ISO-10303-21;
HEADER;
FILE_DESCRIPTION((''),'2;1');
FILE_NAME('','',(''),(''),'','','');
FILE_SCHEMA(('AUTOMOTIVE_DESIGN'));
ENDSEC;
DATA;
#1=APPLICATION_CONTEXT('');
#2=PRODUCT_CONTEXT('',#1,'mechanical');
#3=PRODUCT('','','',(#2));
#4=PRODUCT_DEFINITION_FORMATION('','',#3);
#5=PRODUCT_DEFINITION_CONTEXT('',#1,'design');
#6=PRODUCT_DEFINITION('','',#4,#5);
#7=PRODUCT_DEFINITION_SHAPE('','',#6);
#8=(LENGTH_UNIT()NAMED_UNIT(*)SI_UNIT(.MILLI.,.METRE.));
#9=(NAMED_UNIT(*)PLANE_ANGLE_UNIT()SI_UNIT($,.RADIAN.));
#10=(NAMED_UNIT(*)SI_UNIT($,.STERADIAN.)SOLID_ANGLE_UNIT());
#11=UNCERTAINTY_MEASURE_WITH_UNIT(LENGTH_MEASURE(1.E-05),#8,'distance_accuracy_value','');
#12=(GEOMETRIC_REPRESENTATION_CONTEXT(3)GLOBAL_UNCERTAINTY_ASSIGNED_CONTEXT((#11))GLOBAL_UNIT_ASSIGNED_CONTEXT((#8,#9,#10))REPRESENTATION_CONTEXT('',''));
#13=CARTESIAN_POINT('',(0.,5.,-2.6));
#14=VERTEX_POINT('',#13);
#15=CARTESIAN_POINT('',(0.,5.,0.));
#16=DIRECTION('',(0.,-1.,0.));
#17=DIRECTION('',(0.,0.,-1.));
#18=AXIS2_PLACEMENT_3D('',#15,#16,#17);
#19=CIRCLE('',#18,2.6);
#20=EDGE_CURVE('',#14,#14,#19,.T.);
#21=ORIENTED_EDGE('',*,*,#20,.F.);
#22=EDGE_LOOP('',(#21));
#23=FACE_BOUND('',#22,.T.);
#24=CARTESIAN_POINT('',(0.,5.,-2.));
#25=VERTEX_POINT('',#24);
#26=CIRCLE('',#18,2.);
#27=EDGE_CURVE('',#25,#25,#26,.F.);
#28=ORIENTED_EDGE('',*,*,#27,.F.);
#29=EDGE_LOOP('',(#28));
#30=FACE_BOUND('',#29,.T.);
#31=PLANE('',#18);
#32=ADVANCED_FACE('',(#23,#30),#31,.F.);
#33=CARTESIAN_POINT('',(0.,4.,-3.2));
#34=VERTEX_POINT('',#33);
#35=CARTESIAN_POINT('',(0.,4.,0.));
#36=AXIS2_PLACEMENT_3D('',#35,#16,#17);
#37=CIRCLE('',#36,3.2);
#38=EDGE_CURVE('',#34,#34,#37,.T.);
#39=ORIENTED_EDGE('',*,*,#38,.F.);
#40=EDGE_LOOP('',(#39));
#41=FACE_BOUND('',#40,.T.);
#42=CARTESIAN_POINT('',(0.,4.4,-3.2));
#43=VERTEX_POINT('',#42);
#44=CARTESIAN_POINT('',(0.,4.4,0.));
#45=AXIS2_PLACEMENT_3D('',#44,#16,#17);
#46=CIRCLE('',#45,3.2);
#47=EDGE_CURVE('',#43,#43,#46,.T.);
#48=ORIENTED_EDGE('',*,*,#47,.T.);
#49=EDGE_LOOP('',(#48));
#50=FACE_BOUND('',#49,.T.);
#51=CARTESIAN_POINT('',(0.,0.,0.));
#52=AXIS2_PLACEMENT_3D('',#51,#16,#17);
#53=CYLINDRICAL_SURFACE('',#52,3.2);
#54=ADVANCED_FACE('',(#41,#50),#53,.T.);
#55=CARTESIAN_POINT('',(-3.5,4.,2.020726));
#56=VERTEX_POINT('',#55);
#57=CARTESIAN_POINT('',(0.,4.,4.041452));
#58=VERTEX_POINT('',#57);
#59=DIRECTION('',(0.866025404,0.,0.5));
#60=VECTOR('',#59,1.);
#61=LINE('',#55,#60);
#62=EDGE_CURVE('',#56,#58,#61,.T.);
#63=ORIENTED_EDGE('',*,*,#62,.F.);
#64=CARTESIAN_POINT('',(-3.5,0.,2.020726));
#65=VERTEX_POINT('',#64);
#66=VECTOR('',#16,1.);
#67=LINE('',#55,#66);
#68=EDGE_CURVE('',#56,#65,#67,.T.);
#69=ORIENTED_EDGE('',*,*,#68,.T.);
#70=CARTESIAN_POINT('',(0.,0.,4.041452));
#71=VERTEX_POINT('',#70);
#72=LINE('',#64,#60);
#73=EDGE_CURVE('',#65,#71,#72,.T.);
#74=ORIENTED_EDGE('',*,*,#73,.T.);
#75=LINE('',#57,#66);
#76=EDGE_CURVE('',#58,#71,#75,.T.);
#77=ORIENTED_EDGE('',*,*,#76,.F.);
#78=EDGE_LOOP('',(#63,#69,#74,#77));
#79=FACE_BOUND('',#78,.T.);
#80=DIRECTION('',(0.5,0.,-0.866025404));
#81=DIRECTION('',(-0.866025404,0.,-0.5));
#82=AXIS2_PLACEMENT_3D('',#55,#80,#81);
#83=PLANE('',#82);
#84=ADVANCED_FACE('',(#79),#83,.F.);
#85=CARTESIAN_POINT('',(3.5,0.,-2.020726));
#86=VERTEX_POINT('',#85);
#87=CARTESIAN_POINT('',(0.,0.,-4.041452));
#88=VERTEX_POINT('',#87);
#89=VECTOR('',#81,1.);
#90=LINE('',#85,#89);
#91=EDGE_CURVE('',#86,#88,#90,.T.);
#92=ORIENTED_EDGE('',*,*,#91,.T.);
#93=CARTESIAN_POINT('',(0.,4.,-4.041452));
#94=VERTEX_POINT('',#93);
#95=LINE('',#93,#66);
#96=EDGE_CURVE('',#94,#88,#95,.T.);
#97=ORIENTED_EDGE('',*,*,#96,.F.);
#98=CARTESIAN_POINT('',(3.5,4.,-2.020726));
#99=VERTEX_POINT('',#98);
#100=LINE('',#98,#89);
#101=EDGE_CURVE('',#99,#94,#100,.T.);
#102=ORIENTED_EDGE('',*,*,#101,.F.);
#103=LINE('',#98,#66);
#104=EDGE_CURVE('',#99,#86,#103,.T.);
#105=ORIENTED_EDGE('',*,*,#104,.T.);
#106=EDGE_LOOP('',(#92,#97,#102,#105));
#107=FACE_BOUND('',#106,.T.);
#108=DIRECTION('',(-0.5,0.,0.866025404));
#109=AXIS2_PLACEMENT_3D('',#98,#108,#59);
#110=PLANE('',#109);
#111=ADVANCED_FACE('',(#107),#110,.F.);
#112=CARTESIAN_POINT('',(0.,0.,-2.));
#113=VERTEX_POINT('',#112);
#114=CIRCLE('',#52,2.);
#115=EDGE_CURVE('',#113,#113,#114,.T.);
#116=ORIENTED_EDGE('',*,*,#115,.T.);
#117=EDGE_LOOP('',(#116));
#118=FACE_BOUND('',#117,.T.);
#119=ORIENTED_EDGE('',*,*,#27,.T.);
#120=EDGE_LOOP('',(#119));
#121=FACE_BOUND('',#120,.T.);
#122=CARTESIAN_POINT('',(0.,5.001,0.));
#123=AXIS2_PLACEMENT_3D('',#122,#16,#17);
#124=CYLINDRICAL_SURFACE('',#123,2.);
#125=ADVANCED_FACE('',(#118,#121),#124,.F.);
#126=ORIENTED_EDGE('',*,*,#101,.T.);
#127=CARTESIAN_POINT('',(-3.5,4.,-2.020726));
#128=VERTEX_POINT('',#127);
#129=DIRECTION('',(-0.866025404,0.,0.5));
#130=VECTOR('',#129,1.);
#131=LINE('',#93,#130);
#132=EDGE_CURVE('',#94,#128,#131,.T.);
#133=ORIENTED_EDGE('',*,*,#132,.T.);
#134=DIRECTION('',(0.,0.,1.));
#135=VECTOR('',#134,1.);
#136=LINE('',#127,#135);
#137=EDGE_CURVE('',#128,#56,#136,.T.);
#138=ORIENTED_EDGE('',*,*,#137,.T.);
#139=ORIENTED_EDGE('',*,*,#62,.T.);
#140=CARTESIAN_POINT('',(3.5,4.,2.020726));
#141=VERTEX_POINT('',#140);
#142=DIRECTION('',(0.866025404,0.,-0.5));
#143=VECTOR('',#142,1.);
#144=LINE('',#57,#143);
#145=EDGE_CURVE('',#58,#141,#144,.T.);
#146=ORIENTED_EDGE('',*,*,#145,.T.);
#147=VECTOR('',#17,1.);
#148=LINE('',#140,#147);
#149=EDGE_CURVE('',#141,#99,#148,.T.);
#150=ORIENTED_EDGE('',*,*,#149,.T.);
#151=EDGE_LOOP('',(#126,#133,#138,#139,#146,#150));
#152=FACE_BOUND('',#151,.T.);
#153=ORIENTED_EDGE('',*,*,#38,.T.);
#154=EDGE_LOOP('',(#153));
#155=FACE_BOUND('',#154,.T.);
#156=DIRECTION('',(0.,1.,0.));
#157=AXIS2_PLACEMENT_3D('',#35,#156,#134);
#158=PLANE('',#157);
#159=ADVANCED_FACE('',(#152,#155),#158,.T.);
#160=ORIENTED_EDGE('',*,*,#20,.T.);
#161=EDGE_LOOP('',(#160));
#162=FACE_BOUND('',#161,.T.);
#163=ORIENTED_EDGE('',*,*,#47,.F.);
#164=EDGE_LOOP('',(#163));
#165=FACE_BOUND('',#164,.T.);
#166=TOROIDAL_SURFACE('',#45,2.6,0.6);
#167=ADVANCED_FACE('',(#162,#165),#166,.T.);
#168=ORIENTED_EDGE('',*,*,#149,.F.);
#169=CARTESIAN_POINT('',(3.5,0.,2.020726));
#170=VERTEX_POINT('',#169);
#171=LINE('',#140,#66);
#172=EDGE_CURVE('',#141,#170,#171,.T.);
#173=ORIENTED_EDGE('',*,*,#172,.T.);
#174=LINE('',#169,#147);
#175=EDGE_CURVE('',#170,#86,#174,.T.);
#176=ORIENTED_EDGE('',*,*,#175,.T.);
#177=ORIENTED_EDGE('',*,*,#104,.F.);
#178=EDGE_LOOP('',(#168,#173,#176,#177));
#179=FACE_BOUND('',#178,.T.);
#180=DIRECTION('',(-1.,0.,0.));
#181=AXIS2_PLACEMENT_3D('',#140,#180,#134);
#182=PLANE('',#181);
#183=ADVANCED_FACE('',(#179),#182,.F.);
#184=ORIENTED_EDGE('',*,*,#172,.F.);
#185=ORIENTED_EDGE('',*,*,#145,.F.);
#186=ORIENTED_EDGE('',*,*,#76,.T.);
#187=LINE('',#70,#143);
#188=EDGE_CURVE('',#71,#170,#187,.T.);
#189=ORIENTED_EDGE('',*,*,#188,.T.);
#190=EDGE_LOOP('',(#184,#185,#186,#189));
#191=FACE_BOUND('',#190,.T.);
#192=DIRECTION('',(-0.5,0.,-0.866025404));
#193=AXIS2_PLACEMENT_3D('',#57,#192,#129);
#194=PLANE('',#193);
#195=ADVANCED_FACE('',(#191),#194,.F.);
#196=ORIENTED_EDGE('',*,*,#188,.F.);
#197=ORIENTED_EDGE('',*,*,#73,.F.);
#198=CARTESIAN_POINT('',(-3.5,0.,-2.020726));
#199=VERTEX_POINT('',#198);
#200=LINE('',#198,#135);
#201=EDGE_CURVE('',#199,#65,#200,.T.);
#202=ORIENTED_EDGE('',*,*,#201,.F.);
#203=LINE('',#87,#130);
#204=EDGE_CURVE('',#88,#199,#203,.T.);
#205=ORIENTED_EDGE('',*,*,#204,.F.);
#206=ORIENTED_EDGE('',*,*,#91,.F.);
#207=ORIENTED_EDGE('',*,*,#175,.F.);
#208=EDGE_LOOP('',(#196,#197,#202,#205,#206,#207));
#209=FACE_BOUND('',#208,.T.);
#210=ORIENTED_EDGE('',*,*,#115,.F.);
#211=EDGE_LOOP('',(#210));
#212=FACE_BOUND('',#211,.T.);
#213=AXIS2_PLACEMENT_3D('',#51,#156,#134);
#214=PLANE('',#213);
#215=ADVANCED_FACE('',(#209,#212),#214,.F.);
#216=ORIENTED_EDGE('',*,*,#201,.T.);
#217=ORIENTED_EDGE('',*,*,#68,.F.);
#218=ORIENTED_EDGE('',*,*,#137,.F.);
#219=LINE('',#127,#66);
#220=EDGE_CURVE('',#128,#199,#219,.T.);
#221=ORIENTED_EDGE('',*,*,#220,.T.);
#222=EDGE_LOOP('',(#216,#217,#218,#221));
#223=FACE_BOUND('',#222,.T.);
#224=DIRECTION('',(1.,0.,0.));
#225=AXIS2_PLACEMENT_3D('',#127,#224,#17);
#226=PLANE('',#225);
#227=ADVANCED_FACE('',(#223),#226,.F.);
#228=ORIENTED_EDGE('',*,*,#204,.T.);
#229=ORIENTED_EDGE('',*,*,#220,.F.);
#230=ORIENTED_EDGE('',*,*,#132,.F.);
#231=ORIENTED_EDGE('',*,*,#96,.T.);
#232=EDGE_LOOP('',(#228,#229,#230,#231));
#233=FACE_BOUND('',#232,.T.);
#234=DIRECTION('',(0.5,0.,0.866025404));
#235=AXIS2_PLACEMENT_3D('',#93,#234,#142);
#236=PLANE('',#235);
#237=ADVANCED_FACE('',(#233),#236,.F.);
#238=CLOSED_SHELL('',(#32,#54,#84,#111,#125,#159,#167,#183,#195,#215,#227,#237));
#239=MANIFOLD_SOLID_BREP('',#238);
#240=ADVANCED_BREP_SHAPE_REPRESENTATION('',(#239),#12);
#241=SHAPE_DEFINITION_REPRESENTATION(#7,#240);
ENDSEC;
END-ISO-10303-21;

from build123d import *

# Parameters (mm, degrees)
BOSS_EXTRUDE1_DEPTH = 4
CUT_EXTRUDE1_REACH  = 9.32
SKETCH4_R           = 2


with BuildPart() as part:
    # Sketch1 → Boss-Extrude1 (new body)
    with BuildSketch(Plane(origin=(0, 0, 0), x_dir=(1, 0, 0), z_dir=(0, 1, 0))):
        Polygon((0, 4.041451884), (-3.5, 2.020725942), (-3.5, -2.020725942), (0, -4.041451884), (3.5, -2.020725942), (3.5, 2.020725942), align=None)
    extrude(amount=BOSS_EXTRUDE1_DEPTH)

    # Sketch2 → Revolve1 (revolve)
    with BuildSketch(Plane.XY, mode=Mode.PRIVATE) as revolve1_sk:
        with BuildLine():
            Line((0, 5), (0, 4))
            Line((0, 4), (3.2, 4))
            Line((3.2, 4), (3.2, 4.4))
            ThreePointArc((3.2, 4.4), (3.024264069, 4.824264069), (2.6, 5))
            Line((2.6, 5), (0, 5))
        make_face()
    revolve(revolve1_sk.sketch.rotate(Axis((0, 0, 0), (0, 1, 0)), 90), axis=Axis((0, 0, 0), (0, 1, 0)))

    # Sketch4 → Cut-Extrude1 (cut, up to next)
    with BuildSketch(Plane.XZ, mode=Mode.PRIVATE) as cut_extrude1_sk1:
        with Locations(Location((0, 0, 0), (0, 0, 270))):
            Circle(SKETCH4_R)
    cut_extrude1_tool1 = extrude(cut_extrude1_sk1.sketch, amount=-CUT_EXTRUDE1_REACH, mode=Mode.PRIVATE) & part.part
    add(cut_extrude1_tool1.solids().sort_by_distance((0, 0, 0))[0], mode=Mode.SUBTRACT)


solid = part.part
